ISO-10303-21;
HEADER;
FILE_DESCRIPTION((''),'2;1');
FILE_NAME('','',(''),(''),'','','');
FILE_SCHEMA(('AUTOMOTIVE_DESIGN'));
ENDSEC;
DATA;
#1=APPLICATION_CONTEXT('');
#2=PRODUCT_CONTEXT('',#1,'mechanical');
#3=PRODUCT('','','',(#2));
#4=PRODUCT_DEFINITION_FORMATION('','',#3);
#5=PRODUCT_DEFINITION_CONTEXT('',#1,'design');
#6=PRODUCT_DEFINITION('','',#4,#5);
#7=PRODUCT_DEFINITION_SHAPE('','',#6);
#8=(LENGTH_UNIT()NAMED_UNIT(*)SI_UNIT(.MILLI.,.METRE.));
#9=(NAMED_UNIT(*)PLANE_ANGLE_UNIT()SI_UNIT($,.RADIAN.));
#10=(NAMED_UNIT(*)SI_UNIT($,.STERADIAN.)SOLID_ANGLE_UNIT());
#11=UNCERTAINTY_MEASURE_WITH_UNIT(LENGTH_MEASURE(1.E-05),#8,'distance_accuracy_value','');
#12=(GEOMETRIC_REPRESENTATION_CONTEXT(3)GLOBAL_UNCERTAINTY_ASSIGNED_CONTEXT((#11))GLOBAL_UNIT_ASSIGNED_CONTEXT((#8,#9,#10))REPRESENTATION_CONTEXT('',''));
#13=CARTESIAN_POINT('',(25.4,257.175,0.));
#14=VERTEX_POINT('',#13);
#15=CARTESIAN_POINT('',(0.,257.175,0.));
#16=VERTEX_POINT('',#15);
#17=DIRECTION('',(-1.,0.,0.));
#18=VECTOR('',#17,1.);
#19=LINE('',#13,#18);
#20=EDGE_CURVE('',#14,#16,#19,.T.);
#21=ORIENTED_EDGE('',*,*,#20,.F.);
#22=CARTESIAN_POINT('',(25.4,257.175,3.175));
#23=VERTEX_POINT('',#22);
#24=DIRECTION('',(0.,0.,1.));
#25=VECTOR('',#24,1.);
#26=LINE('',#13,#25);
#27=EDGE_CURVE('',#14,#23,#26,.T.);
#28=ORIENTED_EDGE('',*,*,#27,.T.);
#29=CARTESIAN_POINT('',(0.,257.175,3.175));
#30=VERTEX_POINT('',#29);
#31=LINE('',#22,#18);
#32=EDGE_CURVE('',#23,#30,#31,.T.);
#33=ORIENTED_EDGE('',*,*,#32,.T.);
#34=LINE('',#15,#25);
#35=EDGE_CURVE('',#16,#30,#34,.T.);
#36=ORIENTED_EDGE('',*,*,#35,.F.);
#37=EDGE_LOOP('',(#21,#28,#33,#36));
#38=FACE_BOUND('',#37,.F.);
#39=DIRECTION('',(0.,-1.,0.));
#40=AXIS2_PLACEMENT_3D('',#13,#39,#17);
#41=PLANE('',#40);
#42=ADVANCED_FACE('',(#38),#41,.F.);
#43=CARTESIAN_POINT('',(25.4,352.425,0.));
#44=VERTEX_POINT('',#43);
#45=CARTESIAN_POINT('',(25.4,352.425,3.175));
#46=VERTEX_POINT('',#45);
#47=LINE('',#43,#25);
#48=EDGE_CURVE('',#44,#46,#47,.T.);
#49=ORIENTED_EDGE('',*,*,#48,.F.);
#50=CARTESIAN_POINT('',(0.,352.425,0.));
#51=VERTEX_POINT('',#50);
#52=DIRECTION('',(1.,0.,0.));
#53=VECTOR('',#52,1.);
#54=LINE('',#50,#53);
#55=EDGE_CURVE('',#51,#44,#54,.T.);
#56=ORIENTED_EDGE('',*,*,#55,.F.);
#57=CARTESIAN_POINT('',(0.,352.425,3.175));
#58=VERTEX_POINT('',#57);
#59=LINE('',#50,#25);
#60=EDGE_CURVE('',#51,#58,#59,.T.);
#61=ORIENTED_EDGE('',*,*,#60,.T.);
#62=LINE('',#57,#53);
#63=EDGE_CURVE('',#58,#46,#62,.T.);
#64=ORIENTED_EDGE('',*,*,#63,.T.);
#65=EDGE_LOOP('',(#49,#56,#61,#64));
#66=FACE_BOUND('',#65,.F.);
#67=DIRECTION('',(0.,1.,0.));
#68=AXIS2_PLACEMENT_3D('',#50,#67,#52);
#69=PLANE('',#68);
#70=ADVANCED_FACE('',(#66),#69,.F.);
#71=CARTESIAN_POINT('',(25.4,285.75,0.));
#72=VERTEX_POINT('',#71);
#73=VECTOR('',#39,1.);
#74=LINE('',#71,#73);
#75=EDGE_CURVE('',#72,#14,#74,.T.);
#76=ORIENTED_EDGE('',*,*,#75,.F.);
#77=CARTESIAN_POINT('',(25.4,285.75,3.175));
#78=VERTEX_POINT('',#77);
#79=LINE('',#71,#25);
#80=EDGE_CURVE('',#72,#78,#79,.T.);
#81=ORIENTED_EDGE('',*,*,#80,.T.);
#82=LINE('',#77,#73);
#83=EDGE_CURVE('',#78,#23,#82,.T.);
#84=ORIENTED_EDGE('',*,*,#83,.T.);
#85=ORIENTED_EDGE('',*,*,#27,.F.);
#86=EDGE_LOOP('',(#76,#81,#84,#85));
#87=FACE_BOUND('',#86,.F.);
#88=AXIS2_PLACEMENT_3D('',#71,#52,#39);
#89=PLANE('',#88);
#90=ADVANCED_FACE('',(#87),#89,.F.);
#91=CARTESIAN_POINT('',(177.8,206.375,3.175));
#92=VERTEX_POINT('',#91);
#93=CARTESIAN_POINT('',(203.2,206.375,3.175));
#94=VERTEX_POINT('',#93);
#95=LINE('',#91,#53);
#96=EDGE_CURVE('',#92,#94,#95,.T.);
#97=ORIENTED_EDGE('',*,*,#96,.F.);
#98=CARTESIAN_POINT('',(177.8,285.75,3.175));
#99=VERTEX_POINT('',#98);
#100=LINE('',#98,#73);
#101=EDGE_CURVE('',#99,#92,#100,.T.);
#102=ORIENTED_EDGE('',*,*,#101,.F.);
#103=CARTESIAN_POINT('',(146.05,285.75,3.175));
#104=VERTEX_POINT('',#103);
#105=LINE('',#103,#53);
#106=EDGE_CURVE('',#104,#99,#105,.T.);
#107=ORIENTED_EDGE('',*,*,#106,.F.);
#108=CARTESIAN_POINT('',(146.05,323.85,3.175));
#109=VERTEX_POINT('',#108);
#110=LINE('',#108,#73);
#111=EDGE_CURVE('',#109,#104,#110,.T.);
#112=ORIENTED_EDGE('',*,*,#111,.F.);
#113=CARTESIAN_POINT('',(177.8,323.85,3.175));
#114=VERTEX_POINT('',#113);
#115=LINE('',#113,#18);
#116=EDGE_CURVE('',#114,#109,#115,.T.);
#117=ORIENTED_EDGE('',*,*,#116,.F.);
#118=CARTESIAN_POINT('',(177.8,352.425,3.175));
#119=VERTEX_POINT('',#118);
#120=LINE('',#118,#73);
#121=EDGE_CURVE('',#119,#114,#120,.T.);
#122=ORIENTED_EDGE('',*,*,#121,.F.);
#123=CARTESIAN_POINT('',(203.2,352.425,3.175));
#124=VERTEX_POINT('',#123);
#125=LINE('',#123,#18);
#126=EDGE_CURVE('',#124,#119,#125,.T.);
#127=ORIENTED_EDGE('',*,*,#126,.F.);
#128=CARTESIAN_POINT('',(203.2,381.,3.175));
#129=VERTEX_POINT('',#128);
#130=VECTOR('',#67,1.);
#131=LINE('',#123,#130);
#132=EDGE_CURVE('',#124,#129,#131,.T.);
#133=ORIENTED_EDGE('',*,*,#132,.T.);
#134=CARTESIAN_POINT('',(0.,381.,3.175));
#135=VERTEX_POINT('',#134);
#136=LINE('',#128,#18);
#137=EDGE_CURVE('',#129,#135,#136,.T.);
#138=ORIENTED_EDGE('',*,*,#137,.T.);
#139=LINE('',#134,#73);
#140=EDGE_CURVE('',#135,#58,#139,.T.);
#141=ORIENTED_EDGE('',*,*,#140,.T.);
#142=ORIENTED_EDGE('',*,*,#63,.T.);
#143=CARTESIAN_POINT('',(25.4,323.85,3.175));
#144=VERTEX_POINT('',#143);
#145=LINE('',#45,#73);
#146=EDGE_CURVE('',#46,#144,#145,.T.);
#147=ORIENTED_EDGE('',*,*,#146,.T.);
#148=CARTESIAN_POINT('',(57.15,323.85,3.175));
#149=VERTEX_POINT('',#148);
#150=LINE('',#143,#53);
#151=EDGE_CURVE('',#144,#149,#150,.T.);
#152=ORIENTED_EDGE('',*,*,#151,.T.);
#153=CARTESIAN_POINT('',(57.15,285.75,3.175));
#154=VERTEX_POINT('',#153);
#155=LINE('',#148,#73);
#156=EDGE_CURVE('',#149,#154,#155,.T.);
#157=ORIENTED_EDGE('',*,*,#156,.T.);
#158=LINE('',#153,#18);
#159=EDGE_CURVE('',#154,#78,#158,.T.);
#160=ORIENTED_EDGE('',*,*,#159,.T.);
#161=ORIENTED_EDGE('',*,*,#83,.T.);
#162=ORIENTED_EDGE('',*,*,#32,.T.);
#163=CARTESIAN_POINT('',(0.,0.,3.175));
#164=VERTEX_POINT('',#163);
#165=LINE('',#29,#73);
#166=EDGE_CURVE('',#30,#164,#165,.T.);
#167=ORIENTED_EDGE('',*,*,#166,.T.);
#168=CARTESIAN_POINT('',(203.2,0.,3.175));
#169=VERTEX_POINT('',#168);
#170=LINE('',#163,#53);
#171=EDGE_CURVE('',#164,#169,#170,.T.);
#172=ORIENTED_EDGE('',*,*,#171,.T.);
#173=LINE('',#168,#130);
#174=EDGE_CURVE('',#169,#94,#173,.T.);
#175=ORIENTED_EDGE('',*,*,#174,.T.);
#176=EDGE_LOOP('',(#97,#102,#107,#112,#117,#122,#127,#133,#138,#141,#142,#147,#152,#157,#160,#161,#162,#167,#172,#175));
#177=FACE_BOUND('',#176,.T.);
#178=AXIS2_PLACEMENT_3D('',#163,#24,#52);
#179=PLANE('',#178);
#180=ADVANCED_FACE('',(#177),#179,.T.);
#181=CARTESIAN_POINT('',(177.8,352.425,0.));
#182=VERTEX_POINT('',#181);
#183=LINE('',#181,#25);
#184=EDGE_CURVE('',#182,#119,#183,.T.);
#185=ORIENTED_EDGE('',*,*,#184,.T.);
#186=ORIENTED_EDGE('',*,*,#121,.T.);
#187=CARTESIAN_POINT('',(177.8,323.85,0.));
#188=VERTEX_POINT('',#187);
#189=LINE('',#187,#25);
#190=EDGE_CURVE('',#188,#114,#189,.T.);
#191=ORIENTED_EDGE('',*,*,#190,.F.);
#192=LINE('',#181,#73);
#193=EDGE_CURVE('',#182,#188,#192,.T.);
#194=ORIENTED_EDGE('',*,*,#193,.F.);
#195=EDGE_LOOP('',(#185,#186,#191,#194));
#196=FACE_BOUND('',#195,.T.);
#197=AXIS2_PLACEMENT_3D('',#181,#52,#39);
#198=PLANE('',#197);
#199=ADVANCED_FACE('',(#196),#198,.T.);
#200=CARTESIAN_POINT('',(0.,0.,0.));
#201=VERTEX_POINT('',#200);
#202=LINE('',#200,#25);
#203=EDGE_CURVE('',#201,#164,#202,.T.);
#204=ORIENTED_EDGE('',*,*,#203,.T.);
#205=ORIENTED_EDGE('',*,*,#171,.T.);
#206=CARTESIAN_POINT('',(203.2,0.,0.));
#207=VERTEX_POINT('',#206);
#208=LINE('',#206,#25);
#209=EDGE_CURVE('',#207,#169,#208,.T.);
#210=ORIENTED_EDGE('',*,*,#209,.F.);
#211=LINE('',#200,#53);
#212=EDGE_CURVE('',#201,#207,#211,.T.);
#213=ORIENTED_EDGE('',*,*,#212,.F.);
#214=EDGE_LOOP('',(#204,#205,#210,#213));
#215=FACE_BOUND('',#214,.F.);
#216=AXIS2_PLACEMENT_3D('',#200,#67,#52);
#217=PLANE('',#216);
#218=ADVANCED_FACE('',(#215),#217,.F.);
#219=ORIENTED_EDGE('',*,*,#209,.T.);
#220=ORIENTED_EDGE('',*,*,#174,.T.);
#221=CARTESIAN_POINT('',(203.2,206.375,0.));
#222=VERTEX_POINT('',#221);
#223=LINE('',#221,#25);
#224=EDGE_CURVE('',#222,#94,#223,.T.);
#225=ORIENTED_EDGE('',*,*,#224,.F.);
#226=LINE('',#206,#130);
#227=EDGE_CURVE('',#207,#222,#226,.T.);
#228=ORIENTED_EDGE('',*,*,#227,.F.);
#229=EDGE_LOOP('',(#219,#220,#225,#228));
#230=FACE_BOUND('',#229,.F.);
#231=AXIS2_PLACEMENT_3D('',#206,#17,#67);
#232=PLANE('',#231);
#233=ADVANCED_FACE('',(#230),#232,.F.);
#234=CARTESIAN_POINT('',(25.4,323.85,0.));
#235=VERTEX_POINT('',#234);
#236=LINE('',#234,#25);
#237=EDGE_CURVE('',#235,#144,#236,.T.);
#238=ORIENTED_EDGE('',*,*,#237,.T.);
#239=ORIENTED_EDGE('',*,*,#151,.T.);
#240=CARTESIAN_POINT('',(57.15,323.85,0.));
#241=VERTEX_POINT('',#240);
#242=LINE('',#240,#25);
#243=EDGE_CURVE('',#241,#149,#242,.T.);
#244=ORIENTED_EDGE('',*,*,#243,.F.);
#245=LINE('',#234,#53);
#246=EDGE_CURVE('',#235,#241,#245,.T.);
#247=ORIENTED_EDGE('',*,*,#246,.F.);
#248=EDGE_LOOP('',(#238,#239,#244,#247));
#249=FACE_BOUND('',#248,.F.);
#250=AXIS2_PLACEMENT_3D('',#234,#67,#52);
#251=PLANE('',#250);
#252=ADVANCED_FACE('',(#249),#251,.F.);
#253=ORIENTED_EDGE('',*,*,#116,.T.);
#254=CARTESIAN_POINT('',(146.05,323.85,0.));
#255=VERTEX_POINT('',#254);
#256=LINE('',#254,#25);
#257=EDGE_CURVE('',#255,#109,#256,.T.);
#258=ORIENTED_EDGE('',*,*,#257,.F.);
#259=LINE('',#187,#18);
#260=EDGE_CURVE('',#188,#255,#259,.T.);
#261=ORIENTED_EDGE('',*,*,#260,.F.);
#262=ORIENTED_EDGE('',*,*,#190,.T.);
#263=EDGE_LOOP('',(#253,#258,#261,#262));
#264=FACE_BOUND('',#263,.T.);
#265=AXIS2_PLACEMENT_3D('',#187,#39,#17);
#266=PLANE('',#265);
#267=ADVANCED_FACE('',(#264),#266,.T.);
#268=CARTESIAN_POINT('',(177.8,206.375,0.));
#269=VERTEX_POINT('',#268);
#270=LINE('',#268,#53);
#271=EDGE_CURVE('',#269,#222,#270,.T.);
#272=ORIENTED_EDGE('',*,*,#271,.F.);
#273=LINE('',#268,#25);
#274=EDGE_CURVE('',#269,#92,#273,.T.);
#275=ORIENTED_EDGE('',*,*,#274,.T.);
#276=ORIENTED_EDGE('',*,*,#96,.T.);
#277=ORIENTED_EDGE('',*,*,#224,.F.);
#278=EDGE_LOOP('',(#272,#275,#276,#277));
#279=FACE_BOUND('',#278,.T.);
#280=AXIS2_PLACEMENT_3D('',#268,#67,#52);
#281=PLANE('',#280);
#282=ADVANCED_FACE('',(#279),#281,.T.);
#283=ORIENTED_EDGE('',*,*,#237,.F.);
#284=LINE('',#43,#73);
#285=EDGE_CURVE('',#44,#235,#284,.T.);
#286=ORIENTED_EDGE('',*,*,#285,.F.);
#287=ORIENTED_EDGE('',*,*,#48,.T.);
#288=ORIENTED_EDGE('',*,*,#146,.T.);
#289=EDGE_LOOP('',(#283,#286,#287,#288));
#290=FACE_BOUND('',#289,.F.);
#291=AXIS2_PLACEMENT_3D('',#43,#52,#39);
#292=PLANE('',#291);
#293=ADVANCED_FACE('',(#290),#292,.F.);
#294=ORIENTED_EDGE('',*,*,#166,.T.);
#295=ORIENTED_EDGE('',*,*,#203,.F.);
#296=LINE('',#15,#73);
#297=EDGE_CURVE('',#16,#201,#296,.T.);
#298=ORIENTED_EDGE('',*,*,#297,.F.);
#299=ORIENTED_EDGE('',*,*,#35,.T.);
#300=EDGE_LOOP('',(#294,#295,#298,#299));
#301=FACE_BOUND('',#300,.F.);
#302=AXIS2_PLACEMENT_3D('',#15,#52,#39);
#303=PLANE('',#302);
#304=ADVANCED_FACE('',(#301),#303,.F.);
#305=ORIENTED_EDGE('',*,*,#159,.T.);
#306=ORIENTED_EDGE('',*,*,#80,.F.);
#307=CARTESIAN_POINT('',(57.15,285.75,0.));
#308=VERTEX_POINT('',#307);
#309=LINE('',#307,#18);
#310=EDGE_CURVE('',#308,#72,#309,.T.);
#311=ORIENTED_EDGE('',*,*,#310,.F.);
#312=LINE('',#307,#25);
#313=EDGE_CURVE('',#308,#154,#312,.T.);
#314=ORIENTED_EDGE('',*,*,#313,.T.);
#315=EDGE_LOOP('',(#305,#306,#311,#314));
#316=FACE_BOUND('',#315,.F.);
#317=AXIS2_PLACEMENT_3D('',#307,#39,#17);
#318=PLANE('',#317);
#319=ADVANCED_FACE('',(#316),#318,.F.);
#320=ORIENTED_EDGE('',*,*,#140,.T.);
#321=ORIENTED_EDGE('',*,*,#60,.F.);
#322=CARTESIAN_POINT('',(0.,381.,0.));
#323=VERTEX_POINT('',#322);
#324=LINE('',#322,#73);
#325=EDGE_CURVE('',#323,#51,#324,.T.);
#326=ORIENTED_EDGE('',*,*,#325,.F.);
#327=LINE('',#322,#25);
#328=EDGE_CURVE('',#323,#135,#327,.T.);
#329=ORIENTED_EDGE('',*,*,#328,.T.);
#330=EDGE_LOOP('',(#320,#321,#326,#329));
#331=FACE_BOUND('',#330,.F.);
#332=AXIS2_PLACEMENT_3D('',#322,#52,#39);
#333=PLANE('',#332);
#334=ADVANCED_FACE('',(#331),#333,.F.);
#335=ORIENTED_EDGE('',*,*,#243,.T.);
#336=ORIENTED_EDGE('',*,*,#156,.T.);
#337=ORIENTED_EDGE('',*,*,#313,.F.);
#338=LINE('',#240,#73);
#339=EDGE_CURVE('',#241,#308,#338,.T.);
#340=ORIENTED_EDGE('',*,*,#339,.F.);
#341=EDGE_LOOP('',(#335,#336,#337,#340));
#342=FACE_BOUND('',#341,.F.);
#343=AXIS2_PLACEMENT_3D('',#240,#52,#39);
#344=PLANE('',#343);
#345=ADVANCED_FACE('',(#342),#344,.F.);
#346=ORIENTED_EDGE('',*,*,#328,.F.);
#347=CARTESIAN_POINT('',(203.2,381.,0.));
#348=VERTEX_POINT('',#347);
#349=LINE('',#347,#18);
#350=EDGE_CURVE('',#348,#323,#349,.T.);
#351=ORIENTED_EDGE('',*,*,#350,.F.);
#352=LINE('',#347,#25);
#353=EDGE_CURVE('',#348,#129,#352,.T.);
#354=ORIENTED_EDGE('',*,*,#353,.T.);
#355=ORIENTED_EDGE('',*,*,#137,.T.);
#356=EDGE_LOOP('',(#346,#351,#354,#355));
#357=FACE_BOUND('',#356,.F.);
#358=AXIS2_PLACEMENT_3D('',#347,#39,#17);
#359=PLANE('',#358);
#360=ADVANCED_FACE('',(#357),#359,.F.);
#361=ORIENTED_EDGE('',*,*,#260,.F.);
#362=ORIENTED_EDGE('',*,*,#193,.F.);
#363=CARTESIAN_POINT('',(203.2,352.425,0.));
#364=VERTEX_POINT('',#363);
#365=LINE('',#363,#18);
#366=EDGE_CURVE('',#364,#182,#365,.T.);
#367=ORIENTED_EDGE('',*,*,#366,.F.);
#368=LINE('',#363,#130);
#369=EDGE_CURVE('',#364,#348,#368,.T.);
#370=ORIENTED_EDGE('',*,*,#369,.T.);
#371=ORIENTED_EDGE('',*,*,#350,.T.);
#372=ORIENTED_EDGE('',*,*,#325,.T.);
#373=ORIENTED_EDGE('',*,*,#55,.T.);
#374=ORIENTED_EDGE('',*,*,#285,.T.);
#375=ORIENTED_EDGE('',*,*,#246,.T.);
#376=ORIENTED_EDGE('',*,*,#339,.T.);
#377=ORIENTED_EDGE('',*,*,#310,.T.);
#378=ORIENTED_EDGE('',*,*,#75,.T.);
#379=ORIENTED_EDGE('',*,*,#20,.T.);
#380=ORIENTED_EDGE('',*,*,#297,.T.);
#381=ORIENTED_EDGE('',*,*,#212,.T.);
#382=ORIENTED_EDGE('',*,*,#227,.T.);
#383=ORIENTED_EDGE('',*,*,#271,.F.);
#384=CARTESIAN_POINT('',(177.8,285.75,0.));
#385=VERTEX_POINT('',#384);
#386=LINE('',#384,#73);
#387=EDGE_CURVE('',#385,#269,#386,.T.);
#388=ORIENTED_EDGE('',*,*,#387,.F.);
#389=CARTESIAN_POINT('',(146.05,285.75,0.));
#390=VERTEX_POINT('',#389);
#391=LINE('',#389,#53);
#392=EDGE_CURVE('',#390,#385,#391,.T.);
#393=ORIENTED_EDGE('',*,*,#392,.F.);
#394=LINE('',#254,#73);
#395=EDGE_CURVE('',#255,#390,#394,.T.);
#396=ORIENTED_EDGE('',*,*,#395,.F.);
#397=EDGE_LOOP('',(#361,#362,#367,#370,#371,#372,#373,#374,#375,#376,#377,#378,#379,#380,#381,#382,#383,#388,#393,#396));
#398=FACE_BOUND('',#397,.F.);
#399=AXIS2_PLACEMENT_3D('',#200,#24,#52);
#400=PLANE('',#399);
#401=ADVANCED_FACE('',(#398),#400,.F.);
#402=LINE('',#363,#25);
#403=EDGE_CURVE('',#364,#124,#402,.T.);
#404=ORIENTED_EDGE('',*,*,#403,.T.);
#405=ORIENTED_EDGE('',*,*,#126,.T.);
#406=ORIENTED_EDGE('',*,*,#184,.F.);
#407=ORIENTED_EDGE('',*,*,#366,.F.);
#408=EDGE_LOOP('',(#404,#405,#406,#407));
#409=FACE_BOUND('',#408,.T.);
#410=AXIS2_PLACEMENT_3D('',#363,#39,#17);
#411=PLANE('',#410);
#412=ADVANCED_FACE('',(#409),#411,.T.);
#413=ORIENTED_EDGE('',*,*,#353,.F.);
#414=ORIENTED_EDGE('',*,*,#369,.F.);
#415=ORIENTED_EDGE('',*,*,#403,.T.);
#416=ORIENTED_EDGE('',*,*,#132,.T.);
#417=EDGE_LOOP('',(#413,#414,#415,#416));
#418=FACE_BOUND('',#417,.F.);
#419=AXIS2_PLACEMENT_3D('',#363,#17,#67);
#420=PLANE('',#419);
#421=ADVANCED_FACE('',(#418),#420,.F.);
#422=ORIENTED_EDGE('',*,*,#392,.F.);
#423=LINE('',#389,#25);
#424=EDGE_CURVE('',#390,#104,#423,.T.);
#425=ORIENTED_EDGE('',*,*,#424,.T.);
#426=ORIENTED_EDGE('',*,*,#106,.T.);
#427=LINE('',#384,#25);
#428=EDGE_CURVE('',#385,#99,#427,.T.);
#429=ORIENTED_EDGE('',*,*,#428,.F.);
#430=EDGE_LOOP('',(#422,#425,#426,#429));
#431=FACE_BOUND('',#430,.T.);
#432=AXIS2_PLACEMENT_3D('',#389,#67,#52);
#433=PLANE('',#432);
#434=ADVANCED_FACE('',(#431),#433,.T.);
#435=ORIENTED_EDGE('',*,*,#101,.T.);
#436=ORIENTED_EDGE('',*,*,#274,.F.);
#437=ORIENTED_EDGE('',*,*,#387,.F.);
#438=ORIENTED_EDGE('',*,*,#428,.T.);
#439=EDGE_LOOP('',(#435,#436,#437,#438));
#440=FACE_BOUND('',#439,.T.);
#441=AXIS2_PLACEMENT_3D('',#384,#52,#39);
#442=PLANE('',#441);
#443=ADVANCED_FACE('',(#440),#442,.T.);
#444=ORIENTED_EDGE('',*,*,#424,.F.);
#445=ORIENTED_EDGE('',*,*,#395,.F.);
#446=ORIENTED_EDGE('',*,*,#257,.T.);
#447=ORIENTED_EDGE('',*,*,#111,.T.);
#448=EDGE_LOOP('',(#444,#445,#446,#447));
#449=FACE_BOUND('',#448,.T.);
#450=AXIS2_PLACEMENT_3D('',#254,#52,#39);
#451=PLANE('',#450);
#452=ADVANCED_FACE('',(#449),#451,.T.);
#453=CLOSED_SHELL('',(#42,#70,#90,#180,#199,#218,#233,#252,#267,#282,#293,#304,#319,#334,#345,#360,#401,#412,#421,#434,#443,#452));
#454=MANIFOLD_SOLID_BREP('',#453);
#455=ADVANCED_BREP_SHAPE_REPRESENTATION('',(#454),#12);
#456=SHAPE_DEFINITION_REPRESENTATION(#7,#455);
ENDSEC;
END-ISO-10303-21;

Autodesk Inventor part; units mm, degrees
ref_plane "YZ Plane" through (0, 0, 0) normal (1, 0, 0) x (0, 1, 0)
ref_plane "XZ Plane" through (0, 0, 0) normal (0, 1, 0) x (-1, 0, 0)
ref_plane "XY Plane" through (0, 0, 0) normal (0, 0, 1) x (1, 0, 0)
sketch "Sketch1" plane through (0, 0, 0) normal (0, 0, 1) x (1, 0, 0)
  line L0 (0, 0) -> (203.2, 0)
  line L1 (203.2, 381) -> (0, 381)
  line L2 (203.2, 352.425) -> (177.8, 352.425)
  line L3 (177.8, 352.425) -> (177.8, 323.85)
  line L4 (177.8, 323.85) -> (146.05, 323.85)
  line L5 (146.05, 323.85) -> (146.05, 285.75)
  line L6 (146.05, 285.75) -> (177.8, 285.75)
  line L7 (177.8, 285.75) -> (177.8, 206.375)
  line L8 (177.8, 206.375) -> (203.2, 206.375)
  line L9 (0, 352.425) -> (25.4, 352.425)
  line L10 (25.4, 352.425) -> (25.4, 323.85)
  line L11 (25.4, 323.85) -> (57.15, 323.85)
  line L12 (57.15, 323.85) -> (57.15, 285.75)
  line L13 (57.15, 285.75) -> (25.4, 285.75)
  line L14 (25.4, 285.75) -> (25.4, 257.175)
  line L15 (25.4, 257.175) -> (0, 257.175)
  line L16 (203.2, 0) -> (203.2, 206.375)
  line L17 (203.2, 352.425) -> (203.2, 381)
  line L18 (0, 381) -> (0, 352.425)
  line L19 (0, 257.175) -> (0, 0)
  dimension "d0" = 203.2
  dimension "d1" = 381
  dimension "d4" = 25.4
  dimension "d5" = 28.575
  dimension "d6" = 31.75
  dimension "d7" = 38.1
  dimension "d8" = 79.375
  dimension "d9" = 28.575
  dimension "d10" = 25.4
  dimension "d11" = 28.575
  dimension "d12" = 31.75
  dimension "d13" = 38.1
  dimension "d14" = 31.75
  dimension "d15" = 28.575
  dimension "d16" = 28.575
extrude "Extrusion1" add sketch "Sketch1" along normal blind 3.175
properties part number "Collector Side" material "Polycarbonate, Clear"
